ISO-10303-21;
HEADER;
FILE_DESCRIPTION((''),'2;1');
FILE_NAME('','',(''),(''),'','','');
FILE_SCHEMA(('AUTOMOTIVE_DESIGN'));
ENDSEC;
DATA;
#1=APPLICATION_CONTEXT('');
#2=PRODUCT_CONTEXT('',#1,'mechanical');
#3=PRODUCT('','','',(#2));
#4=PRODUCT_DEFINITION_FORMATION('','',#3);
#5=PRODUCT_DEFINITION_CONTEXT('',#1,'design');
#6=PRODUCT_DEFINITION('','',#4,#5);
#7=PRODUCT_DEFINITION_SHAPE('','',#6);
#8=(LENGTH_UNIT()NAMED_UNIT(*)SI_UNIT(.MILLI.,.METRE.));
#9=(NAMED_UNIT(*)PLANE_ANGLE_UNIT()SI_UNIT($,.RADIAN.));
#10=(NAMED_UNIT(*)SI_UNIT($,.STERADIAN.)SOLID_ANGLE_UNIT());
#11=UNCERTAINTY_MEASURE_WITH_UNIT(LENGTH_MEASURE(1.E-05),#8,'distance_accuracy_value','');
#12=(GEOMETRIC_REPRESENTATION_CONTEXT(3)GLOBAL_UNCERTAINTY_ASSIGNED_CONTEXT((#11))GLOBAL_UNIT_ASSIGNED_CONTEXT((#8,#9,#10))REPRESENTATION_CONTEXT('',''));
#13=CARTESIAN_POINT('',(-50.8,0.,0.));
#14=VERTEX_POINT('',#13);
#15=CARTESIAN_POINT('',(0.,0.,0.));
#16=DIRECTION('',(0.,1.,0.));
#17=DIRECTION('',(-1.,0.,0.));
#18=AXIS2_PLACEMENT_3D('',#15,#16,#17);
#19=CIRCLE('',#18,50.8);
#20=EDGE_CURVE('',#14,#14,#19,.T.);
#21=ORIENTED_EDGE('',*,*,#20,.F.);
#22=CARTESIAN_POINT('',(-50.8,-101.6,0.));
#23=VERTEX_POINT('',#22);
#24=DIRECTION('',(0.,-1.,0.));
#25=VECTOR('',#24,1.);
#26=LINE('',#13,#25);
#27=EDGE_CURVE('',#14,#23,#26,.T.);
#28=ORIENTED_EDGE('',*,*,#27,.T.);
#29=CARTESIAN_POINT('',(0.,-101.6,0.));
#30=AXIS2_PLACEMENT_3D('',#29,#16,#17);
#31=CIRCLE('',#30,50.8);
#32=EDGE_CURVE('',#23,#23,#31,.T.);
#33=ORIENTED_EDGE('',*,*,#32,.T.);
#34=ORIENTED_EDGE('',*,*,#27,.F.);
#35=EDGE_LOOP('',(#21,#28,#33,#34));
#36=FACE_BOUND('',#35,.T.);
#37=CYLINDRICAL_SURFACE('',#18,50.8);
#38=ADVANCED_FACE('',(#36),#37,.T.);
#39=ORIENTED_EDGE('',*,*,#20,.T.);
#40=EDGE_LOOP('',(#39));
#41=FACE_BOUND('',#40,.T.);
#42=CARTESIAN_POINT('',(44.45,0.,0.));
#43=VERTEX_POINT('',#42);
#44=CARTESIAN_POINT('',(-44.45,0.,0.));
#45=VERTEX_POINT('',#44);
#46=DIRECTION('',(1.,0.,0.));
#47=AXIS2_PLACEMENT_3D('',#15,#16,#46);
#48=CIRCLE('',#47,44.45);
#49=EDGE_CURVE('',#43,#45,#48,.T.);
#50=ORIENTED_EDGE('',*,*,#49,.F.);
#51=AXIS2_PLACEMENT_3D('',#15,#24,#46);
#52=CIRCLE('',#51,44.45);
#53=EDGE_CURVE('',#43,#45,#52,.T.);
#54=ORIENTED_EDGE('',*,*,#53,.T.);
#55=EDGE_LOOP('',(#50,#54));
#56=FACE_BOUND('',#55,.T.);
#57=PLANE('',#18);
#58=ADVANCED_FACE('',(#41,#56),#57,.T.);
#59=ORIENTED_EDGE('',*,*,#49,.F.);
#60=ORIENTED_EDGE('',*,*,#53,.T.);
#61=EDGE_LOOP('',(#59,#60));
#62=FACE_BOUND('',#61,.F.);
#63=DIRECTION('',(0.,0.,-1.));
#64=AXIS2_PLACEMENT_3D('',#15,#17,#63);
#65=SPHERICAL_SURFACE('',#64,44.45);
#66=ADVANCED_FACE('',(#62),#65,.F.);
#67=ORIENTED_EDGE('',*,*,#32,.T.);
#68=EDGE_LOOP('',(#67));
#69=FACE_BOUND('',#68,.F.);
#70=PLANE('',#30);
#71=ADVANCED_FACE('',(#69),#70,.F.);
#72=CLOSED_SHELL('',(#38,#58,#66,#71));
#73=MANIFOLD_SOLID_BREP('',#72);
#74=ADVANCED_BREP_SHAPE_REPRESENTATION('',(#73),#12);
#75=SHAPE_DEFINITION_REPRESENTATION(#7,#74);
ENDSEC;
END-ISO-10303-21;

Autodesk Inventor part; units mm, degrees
ref_plane "YZ Plane" through (0, 0, 0) normal (1, 0, 0) x (0, 1, 0)
ref_plane "XZ Plane" through (0, 0, 0) normal (0, 1, 0) x (-1, 0, 0)
ref_plane "XY Plane" through (0, 0, 0) normal (0, 0, 1) x (1, 0, 0)
sketch "Sketch1" plane through (0, 0, 0) normal (0, 1, 0) x (-1, 0, 0)
  circle A0 centre (0, 0) radius 50.8
  dimension "d0" = 101.6
extrude "Extrusion1" add sketch "Sketch1" against normal blind 101.6
sketch "Sketch3" plane through (0, 0, 0) normal (0, 1, 0) x (1, 0, 0)
  arc A0 (44.45, 0) -> (-44.45, 0) centre (0, 0) ccw
  line L0 (-44.45, 0) -> (44.45, 0) construction
  line L1 (-44.45, 0) -> (44.45, 0)
  line L2 (-71.12, 0) -> (71.12, 0) projected
  dimension "d4" = 88.9
revolve "Revolution1" cut sketch "Sketch3" angle 180 about axis through (-10, 0, 0) along (-1, 0, 0)
properties part number "cutOutPart"
